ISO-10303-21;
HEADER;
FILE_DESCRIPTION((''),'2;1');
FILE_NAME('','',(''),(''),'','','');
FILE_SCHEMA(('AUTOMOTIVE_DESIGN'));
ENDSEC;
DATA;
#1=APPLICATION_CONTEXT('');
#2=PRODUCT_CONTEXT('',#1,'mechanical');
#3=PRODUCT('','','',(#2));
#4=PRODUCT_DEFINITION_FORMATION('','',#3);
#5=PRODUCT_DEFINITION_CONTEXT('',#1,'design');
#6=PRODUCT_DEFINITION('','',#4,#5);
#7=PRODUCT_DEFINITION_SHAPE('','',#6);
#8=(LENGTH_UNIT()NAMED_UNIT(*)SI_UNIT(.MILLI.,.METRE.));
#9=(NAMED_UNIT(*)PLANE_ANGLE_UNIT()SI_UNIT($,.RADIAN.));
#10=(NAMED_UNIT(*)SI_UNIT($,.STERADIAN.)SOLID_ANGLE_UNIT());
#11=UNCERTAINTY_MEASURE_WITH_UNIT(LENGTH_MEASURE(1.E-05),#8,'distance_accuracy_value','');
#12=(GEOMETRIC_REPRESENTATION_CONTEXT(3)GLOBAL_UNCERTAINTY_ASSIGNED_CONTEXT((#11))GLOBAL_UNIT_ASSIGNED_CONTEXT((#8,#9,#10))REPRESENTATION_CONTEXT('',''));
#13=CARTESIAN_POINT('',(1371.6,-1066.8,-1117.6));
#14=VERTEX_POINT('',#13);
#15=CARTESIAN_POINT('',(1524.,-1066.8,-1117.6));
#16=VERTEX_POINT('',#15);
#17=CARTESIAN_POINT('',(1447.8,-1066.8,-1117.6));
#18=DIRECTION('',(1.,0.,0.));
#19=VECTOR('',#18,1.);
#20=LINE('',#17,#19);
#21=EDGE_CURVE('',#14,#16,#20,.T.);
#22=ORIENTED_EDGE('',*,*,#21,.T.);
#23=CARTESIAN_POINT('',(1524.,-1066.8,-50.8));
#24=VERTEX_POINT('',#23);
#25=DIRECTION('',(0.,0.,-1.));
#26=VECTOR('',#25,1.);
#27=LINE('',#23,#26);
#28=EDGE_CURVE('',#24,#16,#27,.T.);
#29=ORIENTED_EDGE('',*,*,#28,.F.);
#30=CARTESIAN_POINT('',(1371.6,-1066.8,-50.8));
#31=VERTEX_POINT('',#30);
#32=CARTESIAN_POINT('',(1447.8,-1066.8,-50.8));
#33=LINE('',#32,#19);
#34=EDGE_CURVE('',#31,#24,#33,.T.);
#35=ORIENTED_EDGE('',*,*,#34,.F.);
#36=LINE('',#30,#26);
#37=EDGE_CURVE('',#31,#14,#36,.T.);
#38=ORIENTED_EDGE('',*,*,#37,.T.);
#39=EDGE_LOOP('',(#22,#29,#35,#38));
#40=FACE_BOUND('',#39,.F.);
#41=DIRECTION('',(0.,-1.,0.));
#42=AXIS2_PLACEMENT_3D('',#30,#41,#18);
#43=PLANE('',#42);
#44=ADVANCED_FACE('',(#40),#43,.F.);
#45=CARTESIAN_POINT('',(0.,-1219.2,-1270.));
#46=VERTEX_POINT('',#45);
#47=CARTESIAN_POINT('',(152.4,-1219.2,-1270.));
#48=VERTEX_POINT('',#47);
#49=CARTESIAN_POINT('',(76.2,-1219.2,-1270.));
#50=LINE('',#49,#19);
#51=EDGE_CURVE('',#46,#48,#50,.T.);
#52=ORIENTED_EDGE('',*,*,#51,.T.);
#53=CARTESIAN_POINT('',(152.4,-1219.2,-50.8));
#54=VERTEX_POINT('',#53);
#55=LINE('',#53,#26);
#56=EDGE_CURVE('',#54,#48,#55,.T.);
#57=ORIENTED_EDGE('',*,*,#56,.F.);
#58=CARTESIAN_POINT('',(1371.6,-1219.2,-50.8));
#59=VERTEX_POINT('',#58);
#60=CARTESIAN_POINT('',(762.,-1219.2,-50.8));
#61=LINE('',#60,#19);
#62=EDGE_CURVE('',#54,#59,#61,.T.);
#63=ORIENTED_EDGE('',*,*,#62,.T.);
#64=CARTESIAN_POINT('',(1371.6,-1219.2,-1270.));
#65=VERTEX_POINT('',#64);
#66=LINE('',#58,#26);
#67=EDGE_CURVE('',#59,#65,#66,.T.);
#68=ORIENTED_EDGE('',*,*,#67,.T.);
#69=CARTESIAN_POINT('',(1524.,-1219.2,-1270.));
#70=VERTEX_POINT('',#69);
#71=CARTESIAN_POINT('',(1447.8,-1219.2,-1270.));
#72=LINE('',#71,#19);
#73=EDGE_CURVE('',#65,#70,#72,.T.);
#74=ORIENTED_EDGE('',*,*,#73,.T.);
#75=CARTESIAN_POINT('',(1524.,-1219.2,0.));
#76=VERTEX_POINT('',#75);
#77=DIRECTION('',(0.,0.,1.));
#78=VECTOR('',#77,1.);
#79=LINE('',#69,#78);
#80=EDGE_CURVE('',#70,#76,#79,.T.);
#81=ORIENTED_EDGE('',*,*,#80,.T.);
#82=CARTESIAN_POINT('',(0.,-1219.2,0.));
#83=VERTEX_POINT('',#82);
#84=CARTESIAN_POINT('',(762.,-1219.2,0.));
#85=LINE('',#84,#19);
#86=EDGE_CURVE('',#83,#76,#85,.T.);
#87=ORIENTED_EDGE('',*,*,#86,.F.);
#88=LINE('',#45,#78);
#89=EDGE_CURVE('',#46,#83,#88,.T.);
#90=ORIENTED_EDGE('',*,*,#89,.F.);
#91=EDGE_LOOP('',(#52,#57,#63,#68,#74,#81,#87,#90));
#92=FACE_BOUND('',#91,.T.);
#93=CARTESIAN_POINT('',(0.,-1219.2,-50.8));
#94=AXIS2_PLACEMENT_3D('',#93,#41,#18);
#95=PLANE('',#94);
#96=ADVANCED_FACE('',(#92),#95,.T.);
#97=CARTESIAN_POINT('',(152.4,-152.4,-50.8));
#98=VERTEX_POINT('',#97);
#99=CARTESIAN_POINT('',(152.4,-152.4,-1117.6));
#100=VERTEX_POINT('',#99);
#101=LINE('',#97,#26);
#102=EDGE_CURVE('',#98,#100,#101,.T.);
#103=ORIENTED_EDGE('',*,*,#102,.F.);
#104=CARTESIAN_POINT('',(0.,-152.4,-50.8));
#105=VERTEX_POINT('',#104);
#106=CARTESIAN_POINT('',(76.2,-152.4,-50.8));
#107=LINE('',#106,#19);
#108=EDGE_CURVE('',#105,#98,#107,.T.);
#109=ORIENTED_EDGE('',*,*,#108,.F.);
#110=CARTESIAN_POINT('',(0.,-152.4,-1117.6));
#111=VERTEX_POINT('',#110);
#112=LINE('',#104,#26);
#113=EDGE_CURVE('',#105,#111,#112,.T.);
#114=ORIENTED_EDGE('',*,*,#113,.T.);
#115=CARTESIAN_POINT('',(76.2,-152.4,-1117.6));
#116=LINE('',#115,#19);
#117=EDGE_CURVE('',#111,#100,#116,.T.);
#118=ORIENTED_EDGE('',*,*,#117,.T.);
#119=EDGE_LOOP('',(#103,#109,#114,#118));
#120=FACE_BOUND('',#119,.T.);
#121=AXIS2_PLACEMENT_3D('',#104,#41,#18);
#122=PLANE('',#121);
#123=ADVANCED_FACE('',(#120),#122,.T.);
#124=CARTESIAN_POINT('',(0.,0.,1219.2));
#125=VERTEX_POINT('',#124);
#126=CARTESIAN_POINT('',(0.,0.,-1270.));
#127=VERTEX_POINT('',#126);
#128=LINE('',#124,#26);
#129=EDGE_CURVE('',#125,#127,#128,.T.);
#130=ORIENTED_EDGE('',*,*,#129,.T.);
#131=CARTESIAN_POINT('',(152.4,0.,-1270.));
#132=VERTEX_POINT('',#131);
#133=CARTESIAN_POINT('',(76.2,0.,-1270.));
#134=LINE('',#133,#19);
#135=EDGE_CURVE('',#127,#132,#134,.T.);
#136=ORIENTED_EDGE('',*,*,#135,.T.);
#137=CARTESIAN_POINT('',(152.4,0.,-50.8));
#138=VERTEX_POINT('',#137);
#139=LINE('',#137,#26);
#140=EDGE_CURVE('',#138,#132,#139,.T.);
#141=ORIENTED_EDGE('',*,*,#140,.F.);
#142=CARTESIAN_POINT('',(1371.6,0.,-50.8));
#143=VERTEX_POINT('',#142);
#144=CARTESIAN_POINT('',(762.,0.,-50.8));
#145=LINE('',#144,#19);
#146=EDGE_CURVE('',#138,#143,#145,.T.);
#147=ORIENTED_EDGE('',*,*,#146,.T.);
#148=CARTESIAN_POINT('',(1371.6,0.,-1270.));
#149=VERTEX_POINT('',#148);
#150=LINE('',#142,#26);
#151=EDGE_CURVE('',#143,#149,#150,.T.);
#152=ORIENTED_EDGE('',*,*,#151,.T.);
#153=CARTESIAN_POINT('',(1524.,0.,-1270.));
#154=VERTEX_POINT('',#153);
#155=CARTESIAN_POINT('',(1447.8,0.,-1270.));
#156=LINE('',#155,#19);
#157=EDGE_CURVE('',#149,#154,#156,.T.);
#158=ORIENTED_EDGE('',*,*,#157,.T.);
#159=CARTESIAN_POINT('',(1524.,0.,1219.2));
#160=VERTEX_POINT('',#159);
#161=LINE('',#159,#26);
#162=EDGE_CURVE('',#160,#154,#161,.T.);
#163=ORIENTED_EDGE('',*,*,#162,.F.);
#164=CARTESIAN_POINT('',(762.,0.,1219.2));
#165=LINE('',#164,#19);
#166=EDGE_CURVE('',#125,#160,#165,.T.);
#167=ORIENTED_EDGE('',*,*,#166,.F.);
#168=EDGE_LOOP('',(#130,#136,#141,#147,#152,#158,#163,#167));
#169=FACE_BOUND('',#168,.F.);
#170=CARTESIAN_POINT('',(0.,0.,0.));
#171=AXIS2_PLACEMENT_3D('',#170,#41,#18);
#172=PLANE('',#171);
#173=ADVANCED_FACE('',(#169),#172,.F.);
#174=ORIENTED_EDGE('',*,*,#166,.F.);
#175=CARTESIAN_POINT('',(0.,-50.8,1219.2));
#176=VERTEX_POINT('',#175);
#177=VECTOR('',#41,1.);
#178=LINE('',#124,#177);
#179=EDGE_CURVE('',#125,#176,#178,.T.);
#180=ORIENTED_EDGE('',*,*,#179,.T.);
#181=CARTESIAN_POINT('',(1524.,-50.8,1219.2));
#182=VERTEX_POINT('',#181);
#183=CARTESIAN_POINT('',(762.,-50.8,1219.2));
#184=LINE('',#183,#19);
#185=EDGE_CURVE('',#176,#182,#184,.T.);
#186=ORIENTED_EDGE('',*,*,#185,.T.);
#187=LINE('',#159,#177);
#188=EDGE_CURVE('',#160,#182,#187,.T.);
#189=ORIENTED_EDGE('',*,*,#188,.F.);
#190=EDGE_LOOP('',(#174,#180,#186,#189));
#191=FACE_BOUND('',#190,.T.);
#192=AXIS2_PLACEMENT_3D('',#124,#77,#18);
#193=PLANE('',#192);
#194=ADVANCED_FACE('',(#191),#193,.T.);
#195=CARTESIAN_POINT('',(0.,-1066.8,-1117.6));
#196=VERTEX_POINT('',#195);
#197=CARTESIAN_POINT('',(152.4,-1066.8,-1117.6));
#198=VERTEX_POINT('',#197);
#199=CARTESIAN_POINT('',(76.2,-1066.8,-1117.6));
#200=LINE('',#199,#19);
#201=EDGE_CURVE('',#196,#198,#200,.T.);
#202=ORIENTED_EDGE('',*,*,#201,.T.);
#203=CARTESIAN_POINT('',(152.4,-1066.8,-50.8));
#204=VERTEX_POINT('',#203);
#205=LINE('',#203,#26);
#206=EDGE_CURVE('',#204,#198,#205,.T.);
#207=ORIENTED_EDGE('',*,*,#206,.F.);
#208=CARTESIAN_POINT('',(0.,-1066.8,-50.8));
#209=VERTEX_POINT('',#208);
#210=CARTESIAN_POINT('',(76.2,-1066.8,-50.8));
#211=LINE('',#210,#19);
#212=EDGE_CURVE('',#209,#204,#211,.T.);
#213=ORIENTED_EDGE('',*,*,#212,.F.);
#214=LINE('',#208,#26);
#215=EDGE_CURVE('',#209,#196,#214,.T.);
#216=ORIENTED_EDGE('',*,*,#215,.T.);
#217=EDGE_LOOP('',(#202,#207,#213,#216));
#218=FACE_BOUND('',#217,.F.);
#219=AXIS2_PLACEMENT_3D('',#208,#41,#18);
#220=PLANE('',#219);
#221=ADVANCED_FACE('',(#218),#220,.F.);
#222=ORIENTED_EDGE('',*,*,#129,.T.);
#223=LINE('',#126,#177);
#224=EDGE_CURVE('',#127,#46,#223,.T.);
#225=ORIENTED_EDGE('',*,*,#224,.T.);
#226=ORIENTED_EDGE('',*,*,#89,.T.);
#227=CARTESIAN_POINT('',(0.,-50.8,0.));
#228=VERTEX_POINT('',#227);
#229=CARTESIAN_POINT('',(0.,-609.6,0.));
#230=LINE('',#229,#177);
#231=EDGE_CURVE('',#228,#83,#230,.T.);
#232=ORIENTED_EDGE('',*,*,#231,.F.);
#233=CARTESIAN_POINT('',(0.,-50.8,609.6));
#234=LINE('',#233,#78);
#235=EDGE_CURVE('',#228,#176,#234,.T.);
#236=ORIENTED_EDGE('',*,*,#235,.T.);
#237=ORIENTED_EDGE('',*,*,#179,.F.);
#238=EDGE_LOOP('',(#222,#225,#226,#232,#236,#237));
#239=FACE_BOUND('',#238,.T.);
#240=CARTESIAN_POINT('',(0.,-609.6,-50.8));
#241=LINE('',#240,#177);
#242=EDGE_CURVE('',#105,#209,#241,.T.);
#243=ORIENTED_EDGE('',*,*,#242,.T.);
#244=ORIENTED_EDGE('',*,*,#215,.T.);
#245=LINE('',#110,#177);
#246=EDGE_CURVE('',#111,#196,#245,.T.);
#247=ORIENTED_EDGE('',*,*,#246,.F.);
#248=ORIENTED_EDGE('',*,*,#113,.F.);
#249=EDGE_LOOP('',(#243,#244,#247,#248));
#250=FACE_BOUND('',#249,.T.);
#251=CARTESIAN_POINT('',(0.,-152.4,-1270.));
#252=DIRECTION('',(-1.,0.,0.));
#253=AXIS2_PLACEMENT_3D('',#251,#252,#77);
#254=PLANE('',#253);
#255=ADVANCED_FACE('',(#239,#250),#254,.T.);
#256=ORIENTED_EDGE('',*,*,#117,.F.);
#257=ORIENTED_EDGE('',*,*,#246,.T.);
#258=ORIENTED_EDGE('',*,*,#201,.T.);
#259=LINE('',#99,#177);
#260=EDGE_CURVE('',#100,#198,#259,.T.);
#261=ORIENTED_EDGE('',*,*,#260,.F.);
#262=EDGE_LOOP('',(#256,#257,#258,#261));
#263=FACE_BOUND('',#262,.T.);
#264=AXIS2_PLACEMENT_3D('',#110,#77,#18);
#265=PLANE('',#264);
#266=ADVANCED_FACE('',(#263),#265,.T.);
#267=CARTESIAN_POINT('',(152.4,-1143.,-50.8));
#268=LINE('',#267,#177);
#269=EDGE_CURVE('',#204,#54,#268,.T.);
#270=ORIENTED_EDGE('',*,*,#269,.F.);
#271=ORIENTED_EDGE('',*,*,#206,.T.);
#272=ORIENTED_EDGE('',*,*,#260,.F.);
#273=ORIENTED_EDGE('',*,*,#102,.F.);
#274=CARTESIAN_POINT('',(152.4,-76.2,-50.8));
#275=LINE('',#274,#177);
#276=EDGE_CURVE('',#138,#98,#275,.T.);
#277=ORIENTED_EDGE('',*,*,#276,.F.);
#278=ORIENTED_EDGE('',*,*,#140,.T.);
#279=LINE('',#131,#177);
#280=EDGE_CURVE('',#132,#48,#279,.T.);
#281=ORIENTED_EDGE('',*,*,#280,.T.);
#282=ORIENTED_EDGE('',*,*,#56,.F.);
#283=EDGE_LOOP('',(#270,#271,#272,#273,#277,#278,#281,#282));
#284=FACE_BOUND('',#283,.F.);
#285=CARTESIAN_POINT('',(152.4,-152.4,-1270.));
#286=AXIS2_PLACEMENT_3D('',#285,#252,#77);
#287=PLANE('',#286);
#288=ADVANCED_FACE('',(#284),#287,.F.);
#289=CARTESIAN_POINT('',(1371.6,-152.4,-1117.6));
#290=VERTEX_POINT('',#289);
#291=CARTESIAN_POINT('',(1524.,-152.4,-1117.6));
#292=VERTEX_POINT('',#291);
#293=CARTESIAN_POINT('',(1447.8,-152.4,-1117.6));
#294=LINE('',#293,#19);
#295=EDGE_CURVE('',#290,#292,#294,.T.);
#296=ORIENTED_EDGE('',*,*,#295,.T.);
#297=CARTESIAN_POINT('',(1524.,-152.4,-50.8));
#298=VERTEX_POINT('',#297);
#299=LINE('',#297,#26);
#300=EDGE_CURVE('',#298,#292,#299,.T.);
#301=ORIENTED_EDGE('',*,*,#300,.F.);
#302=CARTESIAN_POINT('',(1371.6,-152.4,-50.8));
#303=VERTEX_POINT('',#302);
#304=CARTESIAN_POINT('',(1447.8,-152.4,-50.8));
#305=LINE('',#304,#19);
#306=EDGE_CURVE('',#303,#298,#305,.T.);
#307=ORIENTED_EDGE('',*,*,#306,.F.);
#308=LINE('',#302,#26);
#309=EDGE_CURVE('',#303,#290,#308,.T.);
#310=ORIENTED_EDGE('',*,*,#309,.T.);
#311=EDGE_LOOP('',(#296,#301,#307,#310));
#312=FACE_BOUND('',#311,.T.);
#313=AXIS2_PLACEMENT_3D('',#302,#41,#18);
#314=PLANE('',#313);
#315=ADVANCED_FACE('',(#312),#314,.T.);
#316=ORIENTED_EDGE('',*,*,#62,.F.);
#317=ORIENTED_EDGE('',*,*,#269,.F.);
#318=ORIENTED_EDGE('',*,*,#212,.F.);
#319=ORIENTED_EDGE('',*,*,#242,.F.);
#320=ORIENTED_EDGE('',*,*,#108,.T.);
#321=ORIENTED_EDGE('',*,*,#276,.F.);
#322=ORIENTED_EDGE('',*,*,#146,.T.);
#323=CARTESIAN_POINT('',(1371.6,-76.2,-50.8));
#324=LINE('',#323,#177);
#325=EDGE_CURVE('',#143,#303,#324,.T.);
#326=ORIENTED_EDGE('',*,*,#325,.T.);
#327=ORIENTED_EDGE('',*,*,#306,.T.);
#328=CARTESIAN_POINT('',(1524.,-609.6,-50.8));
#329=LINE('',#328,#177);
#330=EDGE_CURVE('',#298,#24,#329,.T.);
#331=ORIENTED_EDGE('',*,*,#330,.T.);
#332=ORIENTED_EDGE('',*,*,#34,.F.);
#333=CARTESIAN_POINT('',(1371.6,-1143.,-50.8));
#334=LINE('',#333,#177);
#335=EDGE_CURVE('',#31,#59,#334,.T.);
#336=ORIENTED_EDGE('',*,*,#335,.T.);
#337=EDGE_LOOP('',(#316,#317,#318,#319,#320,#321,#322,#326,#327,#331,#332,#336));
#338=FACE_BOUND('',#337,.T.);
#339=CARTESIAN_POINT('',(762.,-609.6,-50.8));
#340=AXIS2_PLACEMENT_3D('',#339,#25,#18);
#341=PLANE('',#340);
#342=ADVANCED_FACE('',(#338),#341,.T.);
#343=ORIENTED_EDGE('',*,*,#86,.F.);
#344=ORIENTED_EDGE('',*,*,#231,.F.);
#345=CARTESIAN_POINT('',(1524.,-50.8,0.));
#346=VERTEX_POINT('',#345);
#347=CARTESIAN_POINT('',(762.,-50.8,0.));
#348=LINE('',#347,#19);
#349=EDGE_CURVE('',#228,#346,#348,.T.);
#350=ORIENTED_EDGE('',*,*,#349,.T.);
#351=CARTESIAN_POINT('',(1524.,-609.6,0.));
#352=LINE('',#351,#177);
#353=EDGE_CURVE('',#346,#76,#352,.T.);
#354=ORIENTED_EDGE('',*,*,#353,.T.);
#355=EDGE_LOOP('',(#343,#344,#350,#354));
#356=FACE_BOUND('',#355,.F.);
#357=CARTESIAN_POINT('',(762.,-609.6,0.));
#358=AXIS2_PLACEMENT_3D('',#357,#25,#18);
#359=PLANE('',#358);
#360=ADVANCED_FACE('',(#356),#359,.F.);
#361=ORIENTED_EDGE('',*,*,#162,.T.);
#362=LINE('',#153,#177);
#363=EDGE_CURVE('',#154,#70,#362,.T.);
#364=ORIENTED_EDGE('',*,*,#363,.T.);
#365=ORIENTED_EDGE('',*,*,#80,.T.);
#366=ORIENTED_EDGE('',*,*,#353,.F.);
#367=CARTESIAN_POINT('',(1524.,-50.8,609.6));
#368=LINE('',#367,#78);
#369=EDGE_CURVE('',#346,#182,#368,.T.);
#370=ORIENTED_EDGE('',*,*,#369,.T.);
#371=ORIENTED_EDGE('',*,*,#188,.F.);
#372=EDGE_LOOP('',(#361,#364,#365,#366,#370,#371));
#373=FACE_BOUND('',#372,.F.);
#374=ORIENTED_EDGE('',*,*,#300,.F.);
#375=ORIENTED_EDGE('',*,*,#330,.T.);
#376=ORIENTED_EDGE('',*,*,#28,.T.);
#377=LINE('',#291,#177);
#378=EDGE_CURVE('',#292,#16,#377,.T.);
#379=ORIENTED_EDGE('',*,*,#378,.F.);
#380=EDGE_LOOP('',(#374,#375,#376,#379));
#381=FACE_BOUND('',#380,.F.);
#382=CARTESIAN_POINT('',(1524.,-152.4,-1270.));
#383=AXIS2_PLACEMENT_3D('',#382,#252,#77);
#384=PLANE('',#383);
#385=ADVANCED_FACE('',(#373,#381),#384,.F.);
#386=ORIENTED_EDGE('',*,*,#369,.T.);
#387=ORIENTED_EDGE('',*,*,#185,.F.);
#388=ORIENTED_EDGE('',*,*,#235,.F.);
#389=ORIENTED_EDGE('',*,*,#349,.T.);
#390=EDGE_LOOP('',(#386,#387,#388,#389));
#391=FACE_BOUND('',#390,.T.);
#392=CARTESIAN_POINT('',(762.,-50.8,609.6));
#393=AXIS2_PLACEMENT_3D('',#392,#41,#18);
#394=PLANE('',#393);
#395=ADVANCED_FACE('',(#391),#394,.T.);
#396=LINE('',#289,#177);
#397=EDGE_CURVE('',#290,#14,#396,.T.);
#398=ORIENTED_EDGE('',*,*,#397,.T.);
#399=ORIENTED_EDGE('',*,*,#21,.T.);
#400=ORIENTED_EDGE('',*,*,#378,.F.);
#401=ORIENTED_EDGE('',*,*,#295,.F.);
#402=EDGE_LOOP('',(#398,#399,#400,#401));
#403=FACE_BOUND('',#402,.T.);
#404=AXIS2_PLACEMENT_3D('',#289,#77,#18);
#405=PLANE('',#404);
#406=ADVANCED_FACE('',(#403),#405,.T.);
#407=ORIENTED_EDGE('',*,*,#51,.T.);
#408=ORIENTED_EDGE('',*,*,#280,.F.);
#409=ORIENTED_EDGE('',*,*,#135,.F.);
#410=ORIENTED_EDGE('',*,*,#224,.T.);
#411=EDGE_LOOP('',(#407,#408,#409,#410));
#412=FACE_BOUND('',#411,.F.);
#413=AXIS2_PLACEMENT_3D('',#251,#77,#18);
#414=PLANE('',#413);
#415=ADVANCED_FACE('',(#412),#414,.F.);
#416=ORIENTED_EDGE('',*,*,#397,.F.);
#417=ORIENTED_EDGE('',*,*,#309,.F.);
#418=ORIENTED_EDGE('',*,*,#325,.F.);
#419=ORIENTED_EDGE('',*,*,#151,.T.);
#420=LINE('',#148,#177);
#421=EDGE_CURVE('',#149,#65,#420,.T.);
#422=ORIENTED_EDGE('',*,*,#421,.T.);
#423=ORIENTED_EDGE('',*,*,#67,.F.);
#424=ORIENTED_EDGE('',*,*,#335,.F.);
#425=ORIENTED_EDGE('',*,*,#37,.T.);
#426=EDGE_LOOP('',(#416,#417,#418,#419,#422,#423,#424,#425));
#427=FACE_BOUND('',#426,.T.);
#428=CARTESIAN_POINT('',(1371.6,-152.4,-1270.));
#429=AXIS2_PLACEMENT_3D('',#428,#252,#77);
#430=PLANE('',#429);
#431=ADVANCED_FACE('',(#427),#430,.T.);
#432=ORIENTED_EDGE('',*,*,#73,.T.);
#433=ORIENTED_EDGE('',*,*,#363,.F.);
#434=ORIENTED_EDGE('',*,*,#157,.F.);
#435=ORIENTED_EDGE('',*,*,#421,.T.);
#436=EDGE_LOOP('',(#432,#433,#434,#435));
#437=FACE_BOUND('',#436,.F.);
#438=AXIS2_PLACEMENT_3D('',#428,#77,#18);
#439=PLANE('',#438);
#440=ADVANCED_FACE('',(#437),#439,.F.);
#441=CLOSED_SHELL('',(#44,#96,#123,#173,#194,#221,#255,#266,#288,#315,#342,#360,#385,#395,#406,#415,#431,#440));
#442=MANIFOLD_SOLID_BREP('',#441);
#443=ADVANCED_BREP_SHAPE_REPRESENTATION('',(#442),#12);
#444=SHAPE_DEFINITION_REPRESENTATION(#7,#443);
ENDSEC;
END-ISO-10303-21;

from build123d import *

# Parameters (mm, degrees)
F0_W     = 1524
F0_H     = 1219.2
F1_DEPTH = 50.8
F2_W     = 1524
F2_H     = 1219.2
F3_DEPTH = 50.8
F4_W     = 152.4
F4_H     = 152.4
F5_DEPTH = 1219.2
F6_W     = 152.4
F6_H     = 152.4
F7_DEPTH = 914.4
F8_W     = 152.4
F8_H     = 152.4
F9_DEPTH = 914.4


with BuildPart() as f1:
    # F0 (on Front) → F1 (new body)
    with BuildSketch(Plane.XZ):
        with Locations((762, 609.6)):
            Rectangle(F0_W, F0_H)
    extrude(amount=F1_DEPTH)

    # F2 (on face) → F3 (join)
    with BuildSketch(Plane(origin=(0, 0, 0), x_dir=(1, 0, 0), z_dir=(0, 0, -1))):
        with Locations((762, 609.6)):
            Rectangle(F2_W, F2_H)
    extrude(amount=F3_DEPTH)

    # F4 (on face) → F5 (join)
    with BuildSketch(Plane(origin=(0, 0, -50.8), x_dir=(1, 0, 0), z_dir=(0, 0, -1))):
        with Locations((76.2, 1143)):
            Rectangle(F4_W, F4_H)
        with Locations((1447.8, 1143)):
            Rectangle(F4_W, F4_H)
        with Locations((1447.8, 76.2)):
            Rectangle(F4_W, F4_H)
        with Locations((76.2, 76.2)):
            Rectangle(F4_W, F4_H)
    extrude(amount=F5_DEPTH)

    # F6 (on face) → F7 (join, through all)
    with BuildSketch(Plane.XZ.offset(152.4)):
        with Locations((1447.8, -1193.8)):
            Rectangle(F6_W, F6_H)
    extrude(amount=F7_DEPTH)

    # F8 (on face) → F9 (join, through all)
    with BuildSketch(Plane.XZ.offset(152.4)):
        with Locations((76.2, -1193.8)):
            Rectangle(F8_W, F8_H)
    extrude(amount=F9_DEPTH)


solid = f1.part
